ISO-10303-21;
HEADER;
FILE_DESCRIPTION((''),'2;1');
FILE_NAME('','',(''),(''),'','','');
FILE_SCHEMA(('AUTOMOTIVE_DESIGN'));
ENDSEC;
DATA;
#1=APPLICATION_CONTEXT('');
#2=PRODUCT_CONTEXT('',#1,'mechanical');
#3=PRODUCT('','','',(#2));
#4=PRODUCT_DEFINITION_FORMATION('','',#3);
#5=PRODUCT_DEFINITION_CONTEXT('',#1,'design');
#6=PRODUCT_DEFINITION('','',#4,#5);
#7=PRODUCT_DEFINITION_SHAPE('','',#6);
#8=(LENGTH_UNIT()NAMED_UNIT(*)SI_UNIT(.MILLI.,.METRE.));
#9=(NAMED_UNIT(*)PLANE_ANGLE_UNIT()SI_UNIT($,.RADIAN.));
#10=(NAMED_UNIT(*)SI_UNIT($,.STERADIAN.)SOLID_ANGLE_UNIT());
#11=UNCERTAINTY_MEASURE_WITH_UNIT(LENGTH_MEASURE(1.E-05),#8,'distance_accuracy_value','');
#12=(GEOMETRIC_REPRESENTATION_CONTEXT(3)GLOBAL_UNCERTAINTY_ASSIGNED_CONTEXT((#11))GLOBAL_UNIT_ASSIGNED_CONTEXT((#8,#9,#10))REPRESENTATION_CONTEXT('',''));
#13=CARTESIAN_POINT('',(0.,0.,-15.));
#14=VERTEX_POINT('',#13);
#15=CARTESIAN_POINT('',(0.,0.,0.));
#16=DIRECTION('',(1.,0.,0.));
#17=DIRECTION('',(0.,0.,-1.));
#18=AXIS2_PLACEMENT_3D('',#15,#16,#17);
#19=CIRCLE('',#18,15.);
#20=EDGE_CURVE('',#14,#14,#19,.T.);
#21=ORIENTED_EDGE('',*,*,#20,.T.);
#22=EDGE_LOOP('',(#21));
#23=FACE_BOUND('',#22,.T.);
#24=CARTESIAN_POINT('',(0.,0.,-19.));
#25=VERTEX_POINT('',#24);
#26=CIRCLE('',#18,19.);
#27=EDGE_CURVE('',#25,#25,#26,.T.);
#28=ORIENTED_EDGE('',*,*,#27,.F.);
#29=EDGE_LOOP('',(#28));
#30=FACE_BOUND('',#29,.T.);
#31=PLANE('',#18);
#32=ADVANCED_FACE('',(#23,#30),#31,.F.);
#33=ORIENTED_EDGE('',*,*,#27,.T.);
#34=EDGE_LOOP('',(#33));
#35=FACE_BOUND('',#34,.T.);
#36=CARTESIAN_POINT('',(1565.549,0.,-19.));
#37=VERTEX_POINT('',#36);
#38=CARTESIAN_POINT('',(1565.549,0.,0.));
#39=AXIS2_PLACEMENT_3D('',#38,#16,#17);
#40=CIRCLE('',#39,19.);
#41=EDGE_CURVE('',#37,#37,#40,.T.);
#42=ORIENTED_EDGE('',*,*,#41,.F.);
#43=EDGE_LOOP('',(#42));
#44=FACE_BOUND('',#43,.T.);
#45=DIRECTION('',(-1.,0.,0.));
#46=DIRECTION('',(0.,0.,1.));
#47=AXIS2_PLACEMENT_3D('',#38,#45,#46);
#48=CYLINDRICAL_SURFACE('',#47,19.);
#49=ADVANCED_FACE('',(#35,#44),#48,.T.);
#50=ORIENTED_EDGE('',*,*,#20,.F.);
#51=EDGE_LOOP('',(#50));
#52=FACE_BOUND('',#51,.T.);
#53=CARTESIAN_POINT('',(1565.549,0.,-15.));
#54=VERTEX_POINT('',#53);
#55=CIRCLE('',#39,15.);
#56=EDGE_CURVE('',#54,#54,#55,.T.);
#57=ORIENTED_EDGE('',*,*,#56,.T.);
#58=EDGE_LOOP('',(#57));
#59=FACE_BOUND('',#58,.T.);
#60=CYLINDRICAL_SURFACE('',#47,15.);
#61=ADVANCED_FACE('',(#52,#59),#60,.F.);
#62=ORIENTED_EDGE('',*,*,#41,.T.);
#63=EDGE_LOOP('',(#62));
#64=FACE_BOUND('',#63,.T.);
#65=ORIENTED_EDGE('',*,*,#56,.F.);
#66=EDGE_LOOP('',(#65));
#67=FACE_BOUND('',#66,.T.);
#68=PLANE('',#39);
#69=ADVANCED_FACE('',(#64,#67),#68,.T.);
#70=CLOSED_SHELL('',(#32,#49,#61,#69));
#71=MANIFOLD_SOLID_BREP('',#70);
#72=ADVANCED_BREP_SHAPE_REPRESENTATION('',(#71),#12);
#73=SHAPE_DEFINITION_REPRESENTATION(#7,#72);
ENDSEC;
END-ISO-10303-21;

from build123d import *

# Parameters (mm, degrees)
CROQUIS1_R              = 19
CROQUIS1_R_2            = 15
SALIENTE_EXTRUIR1_DEPTH = 1565.549


with BuildPart() as part:
    # Croquis1 → Saliente-Extruir1 (new body)
    with BuildSketch(Plane(origin=(0, 0, 0), x_dir=(0, 0, -1), z_dir=(1, 0, 0))):
        Circle(CROQUIS1_R)
        Circle(CROQUIS1_R_2, mode=Mode.SUBTRACT)
    extrude(amount=SALIENTE_EXTRUIR1_DEPTH)


solid = part.part
